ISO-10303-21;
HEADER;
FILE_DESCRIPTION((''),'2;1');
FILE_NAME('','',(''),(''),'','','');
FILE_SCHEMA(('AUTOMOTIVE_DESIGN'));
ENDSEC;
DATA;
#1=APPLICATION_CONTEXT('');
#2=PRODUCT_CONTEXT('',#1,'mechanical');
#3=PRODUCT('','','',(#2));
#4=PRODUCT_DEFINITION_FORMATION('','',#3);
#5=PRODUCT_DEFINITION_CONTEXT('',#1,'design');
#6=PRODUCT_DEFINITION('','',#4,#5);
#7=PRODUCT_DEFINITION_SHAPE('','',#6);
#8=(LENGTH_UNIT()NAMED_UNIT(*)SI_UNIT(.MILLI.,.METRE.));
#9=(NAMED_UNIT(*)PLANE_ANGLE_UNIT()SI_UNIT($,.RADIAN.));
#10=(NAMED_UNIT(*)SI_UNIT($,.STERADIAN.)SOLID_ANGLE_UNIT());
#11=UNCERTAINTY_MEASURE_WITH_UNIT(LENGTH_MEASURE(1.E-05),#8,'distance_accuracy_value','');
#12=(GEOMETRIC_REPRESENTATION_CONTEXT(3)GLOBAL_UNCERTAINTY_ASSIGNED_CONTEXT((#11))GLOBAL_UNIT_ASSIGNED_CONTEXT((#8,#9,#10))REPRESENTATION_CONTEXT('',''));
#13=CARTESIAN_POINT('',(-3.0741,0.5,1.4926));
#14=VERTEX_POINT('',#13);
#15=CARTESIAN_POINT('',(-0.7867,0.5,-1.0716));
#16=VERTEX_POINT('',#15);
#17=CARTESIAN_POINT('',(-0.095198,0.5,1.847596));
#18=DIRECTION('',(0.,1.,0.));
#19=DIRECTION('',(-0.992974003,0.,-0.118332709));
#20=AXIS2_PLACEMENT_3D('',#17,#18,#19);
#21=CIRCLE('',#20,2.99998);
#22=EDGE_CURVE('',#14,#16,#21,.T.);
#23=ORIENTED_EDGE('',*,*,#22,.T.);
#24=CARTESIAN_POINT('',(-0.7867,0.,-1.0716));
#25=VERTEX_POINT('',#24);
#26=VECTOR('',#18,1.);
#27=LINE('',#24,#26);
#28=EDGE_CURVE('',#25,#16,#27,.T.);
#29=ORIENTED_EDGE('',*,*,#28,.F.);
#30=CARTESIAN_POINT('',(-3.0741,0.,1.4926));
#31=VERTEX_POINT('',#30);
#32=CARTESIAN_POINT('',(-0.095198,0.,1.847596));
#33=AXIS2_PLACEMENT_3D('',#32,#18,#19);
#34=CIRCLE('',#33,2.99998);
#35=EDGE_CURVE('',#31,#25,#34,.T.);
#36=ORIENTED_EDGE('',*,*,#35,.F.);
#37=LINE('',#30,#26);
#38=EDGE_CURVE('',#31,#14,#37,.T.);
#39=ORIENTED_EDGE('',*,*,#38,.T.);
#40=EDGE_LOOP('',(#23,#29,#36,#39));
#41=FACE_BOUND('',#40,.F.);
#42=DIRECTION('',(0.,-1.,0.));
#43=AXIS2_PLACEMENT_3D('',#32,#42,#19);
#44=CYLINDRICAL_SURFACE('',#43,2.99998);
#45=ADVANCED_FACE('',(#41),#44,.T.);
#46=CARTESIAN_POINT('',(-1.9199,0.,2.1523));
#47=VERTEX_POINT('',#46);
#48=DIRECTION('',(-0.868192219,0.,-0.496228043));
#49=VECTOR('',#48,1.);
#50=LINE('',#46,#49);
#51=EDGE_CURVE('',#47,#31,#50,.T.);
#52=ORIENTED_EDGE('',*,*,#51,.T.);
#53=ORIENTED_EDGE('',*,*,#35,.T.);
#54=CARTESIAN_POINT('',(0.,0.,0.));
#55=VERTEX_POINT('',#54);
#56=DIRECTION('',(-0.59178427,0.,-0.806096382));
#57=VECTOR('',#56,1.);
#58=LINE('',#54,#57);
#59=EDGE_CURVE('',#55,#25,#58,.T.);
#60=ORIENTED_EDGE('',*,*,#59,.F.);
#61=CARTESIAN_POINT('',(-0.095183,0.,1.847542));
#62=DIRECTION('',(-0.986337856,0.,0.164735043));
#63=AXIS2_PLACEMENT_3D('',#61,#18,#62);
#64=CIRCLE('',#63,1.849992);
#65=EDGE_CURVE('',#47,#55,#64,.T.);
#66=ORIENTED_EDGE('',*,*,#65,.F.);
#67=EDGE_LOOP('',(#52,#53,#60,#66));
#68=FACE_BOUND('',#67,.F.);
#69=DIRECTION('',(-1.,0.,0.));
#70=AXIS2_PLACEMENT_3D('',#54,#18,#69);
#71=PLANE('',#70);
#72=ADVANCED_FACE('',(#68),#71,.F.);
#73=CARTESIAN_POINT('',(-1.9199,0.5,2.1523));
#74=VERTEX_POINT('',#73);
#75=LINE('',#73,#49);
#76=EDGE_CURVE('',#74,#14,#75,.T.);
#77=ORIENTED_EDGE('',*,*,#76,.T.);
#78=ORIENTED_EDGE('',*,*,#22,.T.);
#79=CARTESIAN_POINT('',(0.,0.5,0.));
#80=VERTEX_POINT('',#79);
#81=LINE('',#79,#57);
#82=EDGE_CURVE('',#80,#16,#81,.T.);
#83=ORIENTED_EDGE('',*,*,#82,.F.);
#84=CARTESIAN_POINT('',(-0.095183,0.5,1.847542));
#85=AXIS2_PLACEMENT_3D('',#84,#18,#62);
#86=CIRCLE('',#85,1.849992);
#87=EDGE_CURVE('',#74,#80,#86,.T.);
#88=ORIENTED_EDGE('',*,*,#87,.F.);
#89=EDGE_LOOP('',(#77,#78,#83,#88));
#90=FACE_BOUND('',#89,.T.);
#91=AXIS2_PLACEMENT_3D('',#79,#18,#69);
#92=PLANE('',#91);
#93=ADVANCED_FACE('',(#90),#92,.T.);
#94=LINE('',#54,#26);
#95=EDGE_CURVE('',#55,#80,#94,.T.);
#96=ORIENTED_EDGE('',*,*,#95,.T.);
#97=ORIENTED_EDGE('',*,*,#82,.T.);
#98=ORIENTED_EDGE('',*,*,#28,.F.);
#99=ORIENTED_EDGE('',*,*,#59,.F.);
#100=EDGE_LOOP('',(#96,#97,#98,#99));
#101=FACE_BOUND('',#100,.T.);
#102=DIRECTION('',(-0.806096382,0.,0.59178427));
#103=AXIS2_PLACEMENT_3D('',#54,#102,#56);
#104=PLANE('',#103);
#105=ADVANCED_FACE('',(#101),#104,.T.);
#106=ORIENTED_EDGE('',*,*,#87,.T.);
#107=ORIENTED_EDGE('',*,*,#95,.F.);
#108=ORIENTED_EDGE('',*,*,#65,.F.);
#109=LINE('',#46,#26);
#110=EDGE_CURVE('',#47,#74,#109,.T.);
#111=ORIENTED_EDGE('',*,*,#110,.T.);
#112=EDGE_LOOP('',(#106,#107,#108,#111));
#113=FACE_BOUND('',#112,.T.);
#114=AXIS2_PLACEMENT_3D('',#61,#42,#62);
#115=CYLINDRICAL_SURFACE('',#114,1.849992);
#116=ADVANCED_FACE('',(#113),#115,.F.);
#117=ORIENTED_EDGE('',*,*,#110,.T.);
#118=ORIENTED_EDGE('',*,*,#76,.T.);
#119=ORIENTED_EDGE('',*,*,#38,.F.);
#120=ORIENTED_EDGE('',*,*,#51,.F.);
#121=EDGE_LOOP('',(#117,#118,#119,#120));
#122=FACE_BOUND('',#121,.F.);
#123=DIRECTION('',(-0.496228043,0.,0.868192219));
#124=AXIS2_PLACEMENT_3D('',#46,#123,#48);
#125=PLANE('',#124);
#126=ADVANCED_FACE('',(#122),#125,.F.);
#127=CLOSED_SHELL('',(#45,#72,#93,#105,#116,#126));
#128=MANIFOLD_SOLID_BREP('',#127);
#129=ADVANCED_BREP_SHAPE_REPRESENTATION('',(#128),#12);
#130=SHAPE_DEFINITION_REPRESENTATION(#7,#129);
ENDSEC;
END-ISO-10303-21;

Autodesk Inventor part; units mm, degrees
ref_plane "YZ Plane" through (0, 0, 0) normal (1, 0, 0) x (0, 1, 0)
ref_plane "XZ Plane" through (0, 0, 0) normal (0, 1, 0) x (-1, 0, 0)
ref_plane "XY Plane" through (0, 0, 0) normal (0, 0, 1) x (1, 0, 0)
sketch "Sketch1" plane through (0, 0, 0) normal (0, 1, 0) x (-1, 0, 0)
  arc A0 (1.9199, 2.1523) -> (0, 0) centre (0.0952, 1.8476) ccw
  arc A1 (3.0741, 1.4926) -> (0.7867, -1.0716) centre (0.0952, 1.8476) ccw
  line L0 (0, 0) -> (0.7867, -1.0716)
  line L1 (1.9199, 2.1523) -> (3.0741, 1.4926)
  dimension "d0" = 1.85
  dimension "d1" = 3
  dimension "d2" = 0
  dimension "d3" = 0
extrude "Extrusion1" add sketch "Sketch1" along normal blind 0.5
properties part number "RetainingRingSmall"
